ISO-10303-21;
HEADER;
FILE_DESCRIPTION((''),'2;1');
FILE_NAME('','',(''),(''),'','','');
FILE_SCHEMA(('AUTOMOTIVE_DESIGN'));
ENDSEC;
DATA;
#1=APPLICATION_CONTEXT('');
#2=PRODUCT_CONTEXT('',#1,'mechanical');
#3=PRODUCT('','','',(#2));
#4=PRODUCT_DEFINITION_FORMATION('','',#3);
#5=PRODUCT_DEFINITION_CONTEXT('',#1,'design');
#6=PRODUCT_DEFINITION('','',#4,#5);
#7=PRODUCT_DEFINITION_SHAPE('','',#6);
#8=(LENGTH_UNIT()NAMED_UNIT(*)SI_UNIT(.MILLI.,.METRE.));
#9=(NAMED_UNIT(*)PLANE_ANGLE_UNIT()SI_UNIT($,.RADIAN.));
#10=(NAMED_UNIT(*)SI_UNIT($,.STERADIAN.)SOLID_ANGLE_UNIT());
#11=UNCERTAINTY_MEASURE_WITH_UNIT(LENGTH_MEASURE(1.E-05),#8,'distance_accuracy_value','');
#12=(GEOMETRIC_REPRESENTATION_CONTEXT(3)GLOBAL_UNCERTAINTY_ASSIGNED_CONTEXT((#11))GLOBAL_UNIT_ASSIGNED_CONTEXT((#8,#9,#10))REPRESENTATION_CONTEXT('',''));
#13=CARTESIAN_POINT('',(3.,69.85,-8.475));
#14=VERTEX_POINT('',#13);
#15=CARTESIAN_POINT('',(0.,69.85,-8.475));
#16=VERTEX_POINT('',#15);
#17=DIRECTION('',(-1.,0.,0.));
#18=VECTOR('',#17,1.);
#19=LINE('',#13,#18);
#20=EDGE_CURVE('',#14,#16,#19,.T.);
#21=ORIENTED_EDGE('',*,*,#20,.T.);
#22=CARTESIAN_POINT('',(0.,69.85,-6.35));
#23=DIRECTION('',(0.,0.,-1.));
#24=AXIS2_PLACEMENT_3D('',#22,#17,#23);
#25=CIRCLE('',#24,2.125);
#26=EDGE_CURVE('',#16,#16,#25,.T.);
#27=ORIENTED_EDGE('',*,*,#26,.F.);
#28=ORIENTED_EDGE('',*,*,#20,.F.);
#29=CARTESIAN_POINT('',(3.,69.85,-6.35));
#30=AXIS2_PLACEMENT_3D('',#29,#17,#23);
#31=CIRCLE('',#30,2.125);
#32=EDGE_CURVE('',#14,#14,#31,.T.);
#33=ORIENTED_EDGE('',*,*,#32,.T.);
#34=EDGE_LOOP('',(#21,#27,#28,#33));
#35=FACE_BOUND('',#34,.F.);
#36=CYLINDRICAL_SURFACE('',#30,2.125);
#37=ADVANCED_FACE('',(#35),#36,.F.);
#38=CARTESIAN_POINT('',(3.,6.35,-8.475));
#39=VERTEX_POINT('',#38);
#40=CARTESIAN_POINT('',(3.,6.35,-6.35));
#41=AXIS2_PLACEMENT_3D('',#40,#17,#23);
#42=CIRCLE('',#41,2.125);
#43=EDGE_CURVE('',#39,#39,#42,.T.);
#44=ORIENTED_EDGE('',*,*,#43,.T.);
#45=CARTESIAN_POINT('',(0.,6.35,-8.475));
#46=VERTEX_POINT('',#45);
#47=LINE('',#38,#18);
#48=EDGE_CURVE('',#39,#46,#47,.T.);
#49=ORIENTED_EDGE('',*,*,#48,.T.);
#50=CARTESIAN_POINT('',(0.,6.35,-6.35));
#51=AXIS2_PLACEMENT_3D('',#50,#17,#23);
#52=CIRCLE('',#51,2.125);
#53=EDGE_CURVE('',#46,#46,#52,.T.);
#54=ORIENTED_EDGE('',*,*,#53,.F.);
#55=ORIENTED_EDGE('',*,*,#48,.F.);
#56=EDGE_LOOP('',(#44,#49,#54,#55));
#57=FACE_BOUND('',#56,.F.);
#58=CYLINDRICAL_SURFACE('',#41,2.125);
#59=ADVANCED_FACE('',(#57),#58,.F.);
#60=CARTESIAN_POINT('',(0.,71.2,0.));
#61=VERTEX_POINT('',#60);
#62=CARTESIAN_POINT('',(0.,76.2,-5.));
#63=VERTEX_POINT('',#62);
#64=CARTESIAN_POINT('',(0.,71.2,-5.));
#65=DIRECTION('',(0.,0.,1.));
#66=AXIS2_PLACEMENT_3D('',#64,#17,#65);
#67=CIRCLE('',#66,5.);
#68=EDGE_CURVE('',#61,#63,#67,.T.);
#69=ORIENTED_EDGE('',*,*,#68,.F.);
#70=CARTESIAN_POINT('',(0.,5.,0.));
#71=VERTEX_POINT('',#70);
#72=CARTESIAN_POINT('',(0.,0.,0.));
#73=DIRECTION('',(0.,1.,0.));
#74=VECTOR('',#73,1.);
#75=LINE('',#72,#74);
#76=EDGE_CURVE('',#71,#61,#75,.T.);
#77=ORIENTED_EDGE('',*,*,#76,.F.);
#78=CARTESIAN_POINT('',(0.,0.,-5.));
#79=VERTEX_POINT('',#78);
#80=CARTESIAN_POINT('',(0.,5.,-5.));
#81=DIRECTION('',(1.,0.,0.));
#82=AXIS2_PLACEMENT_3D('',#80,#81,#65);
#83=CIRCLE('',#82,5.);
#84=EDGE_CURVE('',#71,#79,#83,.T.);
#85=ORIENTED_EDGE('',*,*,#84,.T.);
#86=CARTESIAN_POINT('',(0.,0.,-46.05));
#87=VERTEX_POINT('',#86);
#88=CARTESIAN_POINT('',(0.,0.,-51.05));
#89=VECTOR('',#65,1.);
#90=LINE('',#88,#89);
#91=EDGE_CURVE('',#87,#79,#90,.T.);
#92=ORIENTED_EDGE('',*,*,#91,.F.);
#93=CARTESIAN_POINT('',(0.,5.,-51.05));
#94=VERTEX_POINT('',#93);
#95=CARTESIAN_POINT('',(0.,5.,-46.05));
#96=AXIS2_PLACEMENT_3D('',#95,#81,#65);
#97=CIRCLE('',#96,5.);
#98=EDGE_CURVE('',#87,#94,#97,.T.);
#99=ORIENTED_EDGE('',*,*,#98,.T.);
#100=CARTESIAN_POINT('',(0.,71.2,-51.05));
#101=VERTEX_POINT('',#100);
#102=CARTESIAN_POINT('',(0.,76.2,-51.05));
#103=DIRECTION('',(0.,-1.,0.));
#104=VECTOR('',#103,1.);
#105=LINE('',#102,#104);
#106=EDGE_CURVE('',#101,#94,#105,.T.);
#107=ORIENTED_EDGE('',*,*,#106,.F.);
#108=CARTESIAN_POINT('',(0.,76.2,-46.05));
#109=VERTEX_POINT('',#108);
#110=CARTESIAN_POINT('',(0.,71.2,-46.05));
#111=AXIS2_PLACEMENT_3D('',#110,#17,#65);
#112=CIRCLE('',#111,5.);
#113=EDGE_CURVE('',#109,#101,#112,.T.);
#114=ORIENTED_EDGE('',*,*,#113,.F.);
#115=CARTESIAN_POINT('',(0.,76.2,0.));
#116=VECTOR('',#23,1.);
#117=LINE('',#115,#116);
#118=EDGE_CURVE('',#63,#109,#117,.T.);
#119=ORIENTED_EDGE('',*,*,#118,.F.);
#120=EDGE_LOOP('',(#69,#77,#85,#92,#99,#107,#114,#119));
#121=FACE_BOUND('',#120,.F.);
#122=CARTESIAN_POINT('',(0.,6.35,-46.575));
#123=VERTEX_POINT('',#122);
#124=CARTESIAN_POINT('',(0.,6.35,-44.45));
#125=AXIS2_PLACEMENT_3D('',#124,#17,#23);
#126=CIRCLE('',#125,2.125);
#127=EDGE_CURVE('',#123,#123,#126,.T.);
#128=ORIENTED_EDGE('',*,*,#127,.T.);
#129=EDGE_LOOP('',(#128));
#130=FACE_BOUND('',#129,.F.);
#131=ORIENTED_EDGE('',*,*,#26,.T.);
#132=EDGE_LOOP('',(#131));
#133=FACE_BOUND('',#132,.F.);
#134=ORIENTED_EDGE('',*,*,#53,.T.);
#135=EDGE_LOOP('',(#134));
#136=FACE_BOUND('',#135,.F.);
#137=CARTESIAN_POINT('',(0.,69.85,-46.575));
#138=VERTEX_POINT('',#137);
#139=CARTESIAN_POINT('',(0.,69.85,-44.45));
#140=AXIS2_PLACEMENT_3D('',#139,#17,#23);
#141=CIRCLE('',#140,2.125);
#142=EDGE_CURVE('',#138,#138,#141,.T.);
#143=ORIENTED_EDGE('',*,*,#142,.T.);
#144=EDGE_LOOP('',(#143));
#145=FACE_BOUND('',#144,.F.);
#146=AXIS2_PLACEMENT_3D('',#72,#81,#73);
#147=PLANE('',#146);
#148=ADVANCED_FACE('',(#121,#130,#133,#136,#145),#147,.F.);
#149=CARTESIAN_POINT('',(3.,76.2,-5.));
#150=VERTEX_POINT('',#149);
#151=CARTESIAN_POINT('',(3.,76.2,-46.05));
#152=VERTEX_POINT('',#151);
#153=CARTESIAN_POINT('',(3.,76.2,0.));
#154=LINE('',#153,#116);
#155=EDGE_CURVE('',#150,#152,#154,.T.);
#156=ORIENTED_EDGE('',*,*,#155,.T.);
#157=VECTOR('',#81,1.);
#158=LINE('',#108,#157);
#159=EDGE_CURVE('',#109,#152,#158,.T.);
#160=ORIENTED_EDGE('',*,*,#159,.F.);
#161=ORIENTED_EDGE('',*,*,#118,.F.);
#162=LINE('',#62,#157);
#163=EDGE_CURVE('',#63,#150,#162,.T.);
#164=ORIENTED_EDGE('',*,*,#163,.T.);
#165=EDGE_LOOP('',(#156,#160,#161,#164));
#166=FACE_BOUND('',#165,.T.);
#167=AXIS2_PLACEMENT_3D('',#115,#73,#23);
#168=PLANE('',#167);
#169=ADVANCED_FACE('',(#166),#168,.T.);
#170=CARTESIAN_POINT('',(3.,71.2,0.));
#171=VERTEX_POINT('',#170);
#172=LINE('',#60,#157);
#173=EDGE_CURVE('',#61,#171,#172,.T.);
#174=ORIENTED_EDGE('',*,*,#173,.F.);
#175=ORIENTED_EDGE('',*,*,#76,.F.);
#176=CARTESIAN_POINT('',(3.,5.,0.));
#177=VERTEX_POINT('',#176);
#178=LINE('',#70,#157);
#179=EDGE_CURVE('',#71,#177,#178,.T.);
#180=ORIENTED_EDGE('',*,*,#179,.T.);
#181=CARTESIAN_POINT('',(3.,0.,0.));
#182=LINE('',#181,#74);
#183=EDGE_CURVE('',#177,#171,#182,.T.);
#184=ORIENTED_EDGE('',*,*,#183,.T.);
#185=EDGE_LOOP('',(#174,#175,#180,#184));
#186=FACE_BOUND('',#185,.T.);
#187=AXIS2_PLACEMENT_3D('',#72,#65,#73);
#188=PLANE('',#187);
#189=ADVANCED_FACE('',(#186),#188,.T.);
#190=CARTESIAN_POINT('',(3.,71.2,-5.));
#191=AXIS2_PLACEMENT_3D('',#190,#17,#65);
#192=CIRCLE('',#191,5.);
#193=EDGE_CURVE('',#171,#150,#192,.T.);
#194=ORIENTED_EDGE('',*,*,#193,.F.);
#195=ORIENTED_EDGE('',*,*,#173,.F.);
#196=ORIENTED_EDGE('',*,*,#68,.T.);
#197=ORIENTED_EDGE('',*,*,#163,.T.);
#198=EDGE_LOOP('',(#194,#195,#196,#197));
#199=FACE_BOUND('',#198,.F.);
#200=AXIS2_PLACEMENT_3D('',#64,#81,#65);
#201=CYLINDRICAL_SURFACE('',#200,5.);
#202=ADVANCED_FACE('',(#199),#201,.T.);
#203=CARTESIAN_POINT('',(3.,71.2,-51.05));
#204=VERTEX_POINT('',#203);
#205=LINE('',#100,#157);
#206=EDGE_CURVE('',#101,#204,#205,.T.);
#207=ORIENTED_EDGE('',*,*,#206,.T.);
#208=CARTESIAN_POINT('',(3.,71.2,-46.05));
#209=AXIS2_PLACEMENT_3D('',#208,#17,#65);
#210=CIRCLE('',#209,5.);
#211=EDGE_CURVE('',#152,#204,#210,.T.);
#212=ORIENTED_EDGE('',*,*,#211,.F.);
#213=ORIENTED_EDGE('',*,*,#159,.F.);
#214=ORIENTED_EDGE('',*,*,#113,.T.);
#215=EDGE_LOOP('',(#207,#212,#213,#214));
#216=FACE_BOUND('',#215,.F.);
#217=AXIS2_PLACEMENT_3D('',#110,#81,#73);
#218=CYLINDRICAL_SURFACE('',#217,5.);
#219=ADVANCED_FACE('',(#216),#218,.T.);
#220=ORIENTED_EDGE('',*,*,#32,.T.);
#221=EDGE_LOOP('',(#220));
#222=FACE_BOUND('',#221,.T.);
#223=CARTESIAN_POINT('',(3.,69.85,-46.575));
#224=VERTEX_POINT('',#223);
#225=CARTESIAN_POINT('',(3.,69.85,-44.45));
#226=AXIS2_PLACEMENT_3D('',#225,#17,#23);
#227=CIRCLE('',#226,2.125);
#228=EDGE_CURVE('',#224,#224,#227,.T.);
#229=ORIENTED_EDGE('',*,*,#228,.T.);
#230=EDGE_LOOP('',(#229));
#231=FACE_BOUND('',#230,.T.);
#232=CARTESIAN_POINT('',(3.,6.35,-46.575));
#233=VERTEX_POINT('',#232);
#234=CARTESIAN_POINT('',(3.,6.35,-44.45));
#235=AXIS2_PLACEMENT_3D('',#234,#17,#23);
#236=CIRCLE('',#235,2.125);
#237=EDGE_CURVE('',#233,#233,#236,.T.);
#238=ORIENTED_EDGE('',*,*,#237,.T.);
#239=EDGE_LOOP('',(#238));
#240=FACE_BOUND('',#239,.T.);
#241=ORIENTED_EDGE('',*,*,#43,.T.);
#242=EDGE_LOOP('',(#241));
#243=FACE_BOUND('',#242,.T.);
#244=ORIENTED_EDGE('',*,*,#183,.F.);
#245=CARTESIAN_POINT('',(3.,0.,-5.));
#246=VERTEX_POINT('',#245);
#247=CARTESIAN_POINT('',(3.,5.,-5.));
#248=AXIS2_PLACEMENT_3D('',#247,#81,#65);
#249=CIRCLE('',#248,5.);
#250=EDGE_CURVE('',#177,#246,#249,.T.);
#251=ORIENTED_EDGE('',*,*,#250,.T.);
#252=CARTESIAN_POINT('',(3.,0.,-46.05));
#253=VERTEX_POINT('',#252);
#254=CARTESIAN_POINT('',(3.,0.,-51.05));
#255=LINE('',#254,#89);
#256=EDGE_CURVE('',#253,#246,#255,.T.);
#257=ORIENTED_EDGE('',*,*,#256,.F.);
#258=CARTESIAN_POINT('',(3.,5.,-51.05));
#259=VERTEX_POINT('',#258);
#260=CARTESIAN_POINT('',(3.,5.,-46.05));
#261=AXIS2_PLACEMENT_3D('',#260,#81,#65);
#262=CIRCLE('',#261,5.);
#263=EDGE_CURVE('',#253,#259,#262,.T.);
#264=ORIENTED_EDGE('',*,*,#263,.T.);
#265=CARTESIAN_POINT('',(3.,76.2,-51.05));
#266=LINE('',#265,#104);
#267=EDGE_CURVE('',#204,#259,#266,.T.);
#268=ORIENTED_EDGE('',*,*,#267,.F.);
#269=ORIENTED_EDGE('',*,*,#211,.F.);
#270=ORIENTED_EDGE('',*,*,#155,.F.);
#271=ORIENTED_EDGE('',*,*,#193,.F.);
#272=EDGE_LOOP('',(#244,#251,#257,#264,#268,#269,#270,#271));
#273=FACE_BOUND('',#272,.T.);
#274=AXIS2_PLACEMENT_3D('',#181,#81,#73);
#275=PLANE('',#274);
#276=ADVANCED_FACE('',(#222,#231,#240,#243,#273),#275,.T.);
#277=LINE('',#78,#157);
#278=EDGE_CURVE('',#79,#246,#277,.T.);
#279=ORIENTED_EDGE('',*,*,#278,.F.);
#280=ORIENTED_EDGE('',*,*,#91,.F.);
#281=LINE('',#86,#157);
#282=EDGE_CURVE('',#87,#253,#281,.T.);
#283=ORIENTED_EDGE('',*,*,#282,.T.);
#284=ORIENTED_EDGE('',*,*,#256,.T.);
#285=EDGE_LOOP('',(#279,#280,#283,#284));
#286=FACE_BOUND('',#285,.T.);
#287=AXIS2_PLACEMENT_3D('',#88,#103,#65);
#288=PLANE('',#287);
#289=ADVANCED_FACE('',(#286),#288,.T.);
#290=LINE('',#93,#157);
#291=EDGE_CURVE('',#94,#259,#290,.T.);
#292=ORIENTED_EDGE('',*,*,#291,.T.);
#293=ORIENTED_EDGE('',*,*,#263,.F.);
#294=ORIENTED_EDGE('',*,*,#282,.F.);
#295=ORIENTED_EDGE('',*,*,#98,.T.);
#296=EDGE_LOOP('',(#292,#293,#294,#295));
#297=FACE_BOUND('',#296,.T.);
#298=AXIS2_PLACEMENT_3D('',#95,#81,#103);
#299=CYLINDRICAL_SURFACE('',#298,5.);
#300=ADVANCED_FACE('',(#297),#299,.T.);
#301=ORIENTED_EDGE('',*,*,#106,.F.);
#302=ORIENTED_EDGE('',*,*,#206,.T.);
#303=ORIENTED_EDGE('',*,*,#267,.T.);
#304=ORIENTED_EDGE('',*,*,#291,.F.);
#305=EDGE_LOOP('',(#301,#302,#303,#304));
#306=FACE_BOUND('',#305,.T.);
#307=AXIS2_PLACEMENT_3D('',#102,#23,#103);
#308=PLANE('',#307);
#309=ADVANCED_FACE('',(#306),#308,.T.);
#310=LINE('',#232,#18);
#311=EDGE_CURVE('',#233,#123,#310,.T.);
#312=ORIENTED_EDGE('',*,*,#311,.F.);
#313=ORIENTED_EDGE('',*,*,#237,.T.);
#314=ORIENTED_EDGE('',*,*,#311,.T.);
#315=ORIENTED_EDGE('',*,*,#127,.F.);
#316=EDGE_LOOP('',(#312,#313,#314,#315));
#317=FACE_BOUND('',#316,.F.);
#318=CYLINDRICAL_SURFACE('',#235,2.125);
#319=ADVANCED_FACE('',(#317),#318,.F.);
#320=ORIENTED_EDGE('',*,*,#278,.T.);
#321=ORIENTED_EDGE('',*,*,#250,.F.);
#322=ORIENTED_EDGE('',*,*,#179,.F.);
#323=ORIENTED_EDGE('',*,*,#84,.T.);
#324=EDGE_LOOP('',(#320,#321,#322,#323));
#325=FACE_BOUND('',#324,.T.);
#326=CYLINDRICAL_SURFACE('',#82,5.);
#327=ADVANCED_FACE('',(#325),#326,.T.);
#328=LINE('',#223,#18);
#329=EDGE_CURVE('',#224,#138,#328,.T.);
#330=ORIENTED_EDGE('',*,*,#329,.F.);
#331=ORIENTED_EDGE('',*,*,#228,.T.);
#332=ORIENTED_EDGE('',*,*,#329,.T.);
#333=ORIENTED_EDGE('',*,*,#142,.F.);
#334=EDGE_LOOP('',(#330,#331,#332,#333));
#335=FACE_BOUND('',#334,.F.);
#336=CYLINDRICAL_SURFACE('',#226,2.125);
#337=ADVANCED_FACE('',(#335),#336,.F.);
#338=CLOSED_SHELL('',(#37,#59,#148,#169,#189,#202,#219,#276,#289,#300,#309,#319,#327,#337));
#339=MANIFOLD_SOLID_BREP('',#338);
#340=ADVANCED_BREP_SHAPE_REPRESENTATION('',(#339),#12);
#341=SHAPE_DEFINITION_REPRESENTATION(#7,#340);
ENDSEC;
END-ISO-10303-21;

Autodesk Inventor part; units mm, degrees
sketch "Body Sketch" plane through (0, 0, 0) normal (1, 0, 0) x (0, 1, 0)
  line L0 (0, 0) -> (76.2, 0)
  line L1 (76.2, 0) -> (76.2, -51.05)
  line L2 (76.2, -51.05) -> (0, -51.05)
  line L3 (0, -51.05) -> (0, 0)
  dimension "d2" = 76.2
  dimension "d3" = 51.05
extrude "Body Extrude" add sketch "Body Sketch" along normal blind 3
ref_plane "Work Plane1" through (0, 38.1, -51.05) normal (0, -1, 0) x (1, 0, 0)
ref_plane "Work Plane2" through (0, 0, -25.525) normal (0, 0, 1) x (1, 0, 0)
ref_plane "Work Plane3" through (0, 0, 0) normal (0, -0.7071, -0.7071) x (1, 0, 0)
ref_plane "Work Plane4" through (0, 76.2, 0) normal (0, 0.7071, -0.7071) x (-1, 0, 0)
sketch "Hole Sketch" plane through (3, 0, 0) normal (1, 0, 0) x (0, 0, -1)
  line L0 (0, 0) -> (6.35, 0) construction
  line L1 (6.35, 0) -> (6.35, 6.35) construction
  line L2 (6.35, 6.35) -> (0, 6.35) construction
  line L3 (0, 6.35) -> (0, 0) construction
  point P0 (44.45, 6.35)
  point P1 (-19.2059, 16.3555)
  point P2 (6.35, 69.85)
  point P3 (44.45, 69.85)
  dimension "d4" = 6.35
  dimension "d55" = 38.1
  dimension "d56" = 63.5
hole "Hole" at (3, 6.35, -6.35) at (3, 69.85, -6.35) at (3, 69.85, -44.45) at (3, 6.35, -44.45) direction (-1, 0, 0) diameter 4.25 end through all
fillet "Fillet2" radius 5 4 edges at (1.5, 76.2, 0) (1.5, 0, 0) (1.5, 76.2, -51.05) (1.5, 0, -51.05)
equation "\"d54\" = FilletRadius"
equation "\"d4\" = 0.5 * GridSpacing"
equation "\"d5\" = HoleDiam"
equation "\"Thickness\" = 3"
equation "\"GridSpacing\" = 12.7"
equation "\"HoleDiam\" = 4.25"
equation "\"FilletRadius\" = 5"
properties part number "Rotary Actuator Platform Design 2" material "Acetal Resin, Black"
